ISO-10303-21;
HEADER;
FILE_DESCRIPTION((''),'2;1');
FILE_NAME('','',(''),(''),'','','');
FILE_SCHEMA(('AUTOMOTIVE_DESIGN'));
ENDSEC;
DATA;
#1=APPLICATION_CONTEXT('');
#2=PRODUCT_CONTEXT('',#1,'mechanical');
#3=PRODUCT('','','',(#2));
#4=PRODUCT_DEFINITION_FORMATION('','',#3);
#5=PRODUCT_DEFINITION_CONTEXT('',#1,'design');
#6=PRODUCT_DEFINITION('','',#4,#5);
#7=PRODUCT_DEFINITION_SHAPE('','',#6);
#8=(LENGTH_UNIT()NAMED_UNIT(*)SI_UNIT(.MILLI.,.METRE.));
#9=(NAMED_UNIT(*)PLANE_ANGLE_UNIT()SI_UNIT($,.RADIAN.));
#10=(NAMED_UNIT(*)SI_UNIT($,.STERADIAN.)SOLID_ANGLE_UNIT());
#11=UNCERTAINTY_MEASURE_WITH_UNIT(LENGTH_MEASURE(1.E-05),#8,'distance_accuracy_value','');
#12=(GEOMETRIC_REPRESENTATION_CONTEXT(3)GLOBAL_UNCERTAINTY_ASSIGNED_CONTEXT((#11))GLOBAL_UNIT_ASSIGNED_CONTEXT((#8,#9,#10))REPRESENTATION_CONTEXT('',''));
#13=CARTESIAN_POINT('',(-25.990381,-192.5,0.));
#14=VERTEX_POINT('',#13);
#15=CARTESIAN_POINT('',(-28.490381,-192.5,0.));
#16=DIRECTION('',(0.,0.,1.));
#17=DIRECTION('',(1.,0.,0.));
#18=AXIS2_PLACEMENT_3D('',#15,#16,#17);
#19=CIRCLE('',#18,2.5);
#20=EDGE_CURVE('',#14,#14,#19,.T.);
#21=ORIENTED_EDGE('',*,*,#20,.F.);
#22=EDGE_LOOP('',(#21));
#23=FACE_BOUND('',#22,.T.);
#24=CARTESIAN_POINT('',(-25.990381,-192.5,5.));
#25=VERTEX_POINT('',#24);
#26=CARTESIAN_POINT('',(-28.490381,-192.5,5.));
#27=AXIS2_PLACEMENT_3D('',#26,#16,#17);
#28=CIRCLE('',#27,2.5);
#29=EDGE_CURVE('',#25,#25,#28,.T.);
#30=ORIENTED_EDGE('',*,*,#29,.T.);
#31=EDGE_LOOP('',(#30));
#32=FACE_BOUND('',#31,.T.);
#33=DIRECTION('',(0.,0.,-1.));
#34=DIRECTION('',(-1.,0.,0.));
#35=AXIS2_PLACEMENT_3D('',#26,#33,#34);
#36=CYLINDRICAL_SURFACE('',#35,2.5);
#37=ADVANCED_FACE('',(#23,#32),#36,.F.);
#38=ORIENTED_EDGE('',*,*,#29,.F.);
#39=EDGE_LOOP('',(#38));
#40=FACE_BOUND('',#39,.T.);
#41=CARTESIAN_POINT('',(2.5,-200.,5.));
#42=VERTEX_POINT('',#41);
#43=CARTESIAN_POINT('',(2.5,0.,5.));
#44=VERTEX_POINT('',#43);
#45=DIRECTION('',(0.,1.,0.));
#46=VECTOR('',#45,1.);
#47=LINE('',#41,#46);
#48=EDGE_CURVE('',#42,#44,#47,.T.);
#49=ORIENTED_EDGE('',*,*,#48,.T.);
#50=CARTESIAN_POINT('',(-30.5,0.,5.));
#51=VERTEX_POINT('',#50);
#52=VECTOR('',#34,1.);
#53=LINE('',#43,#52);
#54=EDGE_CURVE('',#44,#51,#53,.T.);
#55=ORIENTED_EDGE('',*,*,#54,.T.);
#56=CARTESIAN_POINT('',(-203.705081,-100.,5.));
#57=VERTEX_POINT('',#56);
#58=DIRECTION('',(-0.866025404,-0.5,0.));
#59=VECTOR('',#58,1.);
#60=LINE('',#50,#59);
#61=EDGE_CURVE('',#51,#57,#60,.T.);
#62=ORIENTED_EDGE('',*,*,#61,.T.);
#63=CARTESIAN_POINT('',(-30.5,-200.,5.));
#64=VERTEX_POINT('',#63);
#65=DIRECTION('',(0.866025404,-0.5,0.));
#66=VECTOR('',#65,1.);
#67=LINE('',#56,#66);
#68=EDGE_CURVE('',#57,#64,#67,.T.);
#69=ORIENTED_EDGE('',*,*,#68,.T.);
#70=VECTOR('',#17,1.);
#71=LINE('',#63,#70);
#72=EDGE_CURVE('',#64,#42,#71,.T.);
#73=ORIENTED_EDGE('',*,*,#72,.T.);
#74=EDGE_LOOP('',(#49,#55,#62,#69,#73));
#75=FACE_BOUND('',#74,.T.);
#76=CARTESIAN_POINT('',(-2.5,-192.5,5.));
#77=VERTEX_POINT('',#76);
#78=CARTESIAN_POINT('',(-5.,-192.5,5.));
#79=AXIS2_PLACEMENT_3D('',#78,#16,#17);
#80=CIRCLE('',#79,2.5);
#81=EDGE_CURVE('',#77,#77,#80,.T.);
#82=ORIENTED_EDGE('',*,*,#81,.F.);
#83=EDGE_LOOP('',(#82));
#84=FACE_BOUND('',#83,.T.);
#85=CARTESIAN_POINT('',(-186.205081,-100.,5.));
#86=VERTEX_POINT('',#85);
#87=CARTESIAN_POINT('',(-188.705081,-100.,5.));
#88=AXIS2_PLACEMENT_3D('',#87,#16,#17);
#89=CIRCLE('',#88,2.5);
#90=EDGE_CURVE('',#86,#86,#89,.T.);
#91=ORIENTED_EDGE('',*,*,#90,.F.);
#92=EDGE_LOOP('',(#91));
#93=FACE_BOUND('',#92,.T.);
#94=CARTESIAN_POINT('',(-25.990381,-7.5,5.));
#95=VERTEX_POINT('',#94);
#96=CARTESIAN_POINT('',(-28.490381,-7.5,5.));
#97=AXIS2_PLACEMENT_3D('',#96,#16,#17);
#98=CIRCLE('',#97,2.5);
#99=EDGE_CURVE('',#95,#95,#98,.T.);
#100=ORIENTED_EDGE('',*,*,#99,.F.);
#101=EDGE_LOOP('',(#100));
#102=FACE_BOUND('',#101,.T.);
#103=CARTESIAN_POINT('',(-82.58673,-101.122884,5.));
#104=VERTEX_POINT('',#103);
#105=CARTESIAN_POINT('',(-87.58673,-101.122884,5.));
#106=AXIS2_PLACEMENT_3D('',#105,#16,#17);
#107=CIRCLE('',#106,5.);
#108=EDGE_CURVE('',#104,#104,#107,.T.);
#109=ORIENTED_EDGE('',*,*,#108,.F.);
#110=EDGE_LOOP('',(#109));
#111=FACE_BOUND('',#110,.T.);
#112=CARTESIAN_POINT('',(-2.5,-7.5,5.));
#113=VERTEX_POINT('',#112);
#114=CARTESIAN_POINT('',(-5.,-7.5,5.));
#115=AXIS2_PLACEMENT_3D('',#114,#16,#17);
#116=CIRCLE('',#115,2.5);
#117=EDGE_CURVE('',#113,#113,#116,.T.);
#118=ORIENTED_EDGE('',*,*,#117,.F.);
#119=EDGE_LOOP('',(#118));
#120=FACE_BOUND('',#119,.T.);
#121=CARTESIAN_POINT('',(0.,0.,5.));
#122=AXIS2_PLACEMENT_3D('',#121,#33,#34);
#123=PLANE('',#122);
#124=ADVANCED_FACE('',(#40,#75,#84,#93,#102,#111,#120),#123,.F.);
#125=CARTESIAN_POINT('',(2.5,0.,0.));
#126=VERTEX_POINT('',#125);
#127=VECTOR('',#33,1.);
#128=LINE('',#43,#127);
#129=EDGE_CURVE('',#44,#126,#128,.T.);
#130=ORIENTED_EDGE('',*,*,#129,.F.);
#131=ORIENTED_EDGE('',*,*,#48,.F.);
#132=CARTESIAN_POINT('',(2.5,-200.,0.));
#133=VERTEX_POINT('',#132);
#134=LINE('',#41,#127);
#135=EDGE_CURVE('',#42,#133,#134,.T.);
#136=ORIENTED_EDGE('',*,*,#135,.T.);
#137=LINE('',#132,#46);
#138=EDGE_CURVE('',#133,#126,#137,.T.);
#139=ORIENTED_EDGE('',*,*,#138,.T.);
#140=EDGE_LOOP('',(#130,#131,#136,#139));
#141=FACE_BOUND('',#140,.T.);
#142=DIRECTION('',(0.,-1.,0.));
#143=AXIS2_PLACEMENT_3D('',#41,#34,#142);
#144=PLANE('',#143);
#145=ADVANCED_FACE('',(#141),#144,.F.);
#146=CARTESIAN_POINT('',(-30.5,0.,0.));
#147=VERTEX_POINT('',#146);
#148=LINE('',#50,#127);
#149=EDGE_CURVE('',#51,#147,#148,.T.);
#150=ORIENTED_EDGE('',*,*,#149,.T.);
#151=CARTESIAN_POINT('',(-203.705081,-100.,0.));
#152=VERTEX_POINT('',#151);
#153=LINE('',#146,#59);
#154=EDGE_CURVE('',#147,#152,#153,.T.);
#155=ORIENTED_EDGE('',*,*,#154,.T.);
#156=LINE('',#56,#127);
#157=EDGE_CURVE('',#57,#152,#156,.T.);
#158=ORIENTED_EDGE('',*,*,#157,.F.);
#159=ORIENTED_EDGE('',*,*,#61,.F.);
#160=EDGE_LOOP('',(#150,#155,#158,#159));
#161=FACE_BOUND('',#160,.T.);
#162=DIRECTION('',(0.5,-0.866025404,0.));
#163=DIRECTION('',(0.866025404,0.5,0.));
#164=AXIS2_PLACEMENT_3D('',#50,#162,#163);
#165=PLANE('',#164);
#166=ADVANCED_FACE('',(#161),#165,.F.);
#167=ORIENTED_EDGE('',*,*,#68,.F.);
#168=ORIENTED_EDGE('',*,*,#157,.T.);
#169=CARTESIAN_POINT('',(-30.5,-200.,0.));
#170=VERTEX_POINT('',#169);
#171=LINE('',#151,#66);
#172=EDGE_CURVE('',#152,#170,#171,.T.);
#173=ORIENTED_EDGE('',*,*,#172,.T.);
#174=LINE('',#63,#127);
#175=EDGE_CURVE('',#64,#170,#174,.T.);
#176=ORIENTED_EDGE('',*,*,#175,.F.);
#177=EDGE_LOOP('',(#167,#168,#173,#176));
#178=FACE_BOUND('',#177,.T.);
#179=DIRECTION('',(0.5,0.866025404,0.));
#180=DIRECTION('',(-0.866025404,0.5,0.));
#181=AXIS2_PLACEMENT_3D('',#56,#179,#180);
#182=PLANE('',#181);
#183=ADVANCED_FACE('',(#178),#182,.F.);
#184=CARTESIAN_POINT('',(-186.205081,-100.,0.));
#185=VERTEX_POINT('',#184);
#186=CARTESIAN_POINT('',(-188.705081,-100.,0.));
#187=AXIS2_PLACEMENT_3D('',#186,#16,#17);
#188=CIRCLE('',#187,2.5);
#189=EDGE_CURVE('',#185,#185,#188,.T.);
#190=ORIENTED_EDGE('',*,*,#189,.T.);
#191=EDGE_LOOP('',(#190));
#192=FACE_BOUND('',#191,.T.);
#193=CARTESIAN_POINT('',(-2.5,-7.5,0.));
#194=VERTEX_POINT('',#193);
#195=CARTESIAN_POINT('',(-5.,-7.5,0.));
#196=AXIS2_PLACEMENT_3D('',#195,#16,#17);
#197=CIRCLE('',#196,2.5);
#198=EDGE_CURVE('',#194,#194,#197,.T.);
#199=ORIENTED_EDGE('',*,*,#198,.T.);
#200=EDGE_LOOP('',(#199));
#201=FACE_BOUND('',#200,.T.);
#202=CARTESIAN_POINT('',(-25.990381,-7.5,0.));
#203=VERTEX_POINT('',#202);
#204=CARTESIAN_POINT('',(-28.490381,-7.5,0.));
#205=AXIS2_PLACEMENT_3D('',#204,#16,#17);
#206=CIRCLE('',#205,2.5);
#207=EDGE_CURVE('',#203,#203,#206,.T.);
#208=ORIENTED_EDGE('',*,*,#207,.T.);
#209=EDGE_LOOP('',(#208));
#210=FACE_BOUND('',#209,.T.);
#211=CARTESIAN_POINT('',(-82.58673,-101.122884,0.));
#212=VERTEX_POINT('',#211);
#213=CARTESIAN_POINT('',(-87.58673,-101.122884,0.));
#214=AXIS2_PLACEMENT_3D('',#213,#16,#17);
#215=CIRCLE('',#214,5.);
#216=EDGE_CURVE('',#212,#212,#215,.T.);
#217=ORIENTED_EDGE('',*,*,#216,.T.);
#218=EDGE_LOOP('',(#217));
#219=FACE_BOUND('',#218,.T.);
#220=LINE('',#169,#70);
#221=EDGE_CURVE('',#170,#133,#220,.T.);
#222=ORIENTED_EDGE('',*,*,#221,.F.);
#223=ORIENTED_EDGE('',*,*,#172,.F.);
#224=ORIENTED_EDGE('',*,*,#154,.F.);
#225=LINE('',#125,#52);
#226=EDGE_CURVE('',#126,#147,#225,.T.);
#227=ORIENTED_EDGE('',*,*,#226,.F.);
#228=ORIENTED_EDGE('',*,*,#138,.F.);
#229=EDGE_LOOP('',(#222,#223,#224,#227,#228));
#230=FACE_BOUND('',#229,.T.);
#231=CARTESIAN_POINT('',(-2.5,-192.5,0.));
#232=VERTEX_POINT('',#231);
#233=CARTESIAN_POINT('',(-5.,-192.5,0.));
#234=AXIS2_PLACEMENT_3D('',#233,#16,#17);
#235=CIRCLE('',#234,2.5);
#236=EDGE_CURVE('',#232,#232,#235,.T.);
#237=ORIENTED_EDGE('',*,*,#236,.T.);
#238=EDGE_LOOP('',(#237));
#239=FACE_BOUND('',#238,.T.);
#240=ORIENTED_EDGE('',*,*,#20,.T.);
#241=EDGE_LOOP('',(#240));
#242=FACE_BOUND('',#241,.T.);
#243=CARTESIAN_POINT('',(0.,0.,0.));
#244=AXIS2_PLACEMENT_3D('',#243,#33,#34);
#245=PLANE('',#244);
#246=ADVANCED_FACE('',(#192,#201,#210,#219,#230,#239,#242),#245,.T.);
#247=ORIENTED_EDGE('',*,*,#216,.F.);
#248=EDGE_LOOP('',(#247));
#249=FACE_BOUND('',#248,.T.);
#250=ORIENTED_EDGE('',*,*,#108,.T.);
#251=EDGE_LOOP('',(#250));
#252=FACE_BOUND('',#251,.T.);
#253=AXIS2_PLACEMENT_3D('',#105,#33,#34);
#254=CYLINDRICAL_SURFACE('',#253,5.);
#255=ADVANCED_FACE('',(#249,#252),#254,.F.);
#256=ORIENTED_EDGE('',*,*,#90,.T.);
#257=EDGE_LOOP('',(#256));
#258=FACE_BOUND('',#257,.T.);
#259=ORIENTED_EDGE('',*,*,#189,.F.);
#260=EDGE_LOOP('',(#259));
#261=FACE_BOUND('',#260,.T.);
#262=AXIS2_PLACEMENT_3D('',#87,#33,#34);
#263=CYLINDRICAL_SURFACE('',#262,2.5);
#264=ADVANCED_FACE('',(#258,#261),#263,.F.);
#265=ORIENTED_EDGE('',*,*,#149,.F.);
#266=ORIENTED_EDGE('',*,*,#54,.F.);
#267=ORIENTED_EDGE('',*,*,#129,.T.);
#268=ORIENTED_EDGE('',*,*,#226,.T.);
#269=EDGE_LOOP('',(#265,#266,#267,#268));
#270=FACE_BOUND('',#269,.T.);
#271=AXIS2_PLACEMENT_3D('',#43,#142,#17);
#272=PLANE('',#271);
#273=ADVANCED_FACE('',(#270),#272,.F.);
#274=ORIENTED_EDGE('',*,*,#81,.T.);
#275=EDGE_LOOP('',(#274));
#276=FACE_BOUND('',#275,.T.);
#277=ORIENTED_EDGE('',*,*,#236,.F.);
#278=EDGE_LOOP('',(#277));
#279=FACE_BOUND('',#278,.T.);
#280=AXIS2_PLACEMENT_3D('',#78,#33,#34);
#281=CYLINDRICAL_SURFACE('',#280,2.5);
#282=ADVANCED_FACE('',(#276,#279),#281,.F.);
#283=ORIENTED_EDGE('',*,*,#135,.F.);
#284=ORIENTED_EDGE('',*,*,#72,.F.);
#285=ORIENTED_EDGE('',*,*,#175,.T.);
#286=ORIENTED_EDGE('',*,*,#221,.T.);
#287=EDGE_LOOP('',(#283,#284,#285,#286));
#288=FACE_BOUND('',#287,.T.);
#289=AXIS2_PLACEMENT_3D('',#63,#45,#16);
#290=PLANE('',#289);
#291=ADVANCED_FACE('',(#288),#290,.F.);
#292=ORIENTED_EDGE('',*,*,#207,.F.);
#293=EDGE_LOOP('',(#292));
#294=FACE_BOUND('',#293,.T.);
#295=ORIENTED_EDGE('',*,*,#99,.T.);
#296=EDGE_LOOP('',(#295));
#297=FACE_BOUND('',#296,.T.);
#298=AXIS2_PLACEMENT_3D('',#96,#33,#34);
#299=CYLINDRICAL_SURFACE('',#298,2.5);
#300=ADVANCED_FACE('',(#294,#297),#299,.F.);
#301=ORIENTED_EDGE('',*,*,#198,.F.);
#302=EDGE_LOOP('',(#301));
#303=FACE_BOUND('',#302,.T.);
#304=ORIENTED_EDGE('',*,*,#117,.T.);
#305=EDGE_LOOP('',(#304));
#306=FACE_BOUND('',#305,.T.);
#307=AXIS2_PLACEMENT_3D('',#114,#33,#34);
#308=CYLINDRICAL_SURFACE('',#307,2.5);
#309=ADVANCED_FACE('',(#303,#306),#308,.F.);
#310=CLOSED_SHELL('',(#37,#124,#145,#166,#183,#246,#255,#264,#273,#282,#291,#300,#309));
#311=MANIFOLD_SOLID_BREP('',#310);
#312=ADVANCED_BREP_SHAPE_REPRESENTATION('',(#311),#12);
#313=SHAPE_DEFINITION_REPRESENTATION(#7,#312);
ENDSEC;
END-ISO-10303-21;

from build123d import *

# Parameters (mm, degrees)
SKETCH1_R           = 2.5
SKETCH1_R_2         = 5
BOSS_EXTRUDE1_DEPTH = 5


with BuildPart() as part:
    # Sketch1 → Boss-Extrude1 (new body)
    with BuildSketch(Plane.XY):
        Polygon((-30.5, 0), (-203.705080757, -100), (-30.5, -200), (2.5, -200), (2.5, 0), align=None)
        with Locations((-188.705080757, -100)):
            Circle(SKETCH1_R, mode=Mode.SUBTRACT)
        with Locations((-28.490381057, -7.5)):
            Circle(SKETCH1_R, mode=Mode.SUBTRACT)
        with Locations((-5, -7.5)):
            Circle(SKETCH1_R, mode=Mode.SUBTRACT)
        with Locations((-5, -192.5)):
            Circle(SKETCH1_R, mode=Mode.SUBTRACT)
        with Locations((-28.490381057, -192.5)):
            Circle(SKETCH1_R, mode=Mode.SUBTRACT)
        with Locations((-87.586729605, -101.122883886)):
            Circle(SKETCH1_R_2, mode=Mode.SUBTRACT)
    extrude(amount=BOSS_EXTRUDE1_DEPTH)


solid = part.part
